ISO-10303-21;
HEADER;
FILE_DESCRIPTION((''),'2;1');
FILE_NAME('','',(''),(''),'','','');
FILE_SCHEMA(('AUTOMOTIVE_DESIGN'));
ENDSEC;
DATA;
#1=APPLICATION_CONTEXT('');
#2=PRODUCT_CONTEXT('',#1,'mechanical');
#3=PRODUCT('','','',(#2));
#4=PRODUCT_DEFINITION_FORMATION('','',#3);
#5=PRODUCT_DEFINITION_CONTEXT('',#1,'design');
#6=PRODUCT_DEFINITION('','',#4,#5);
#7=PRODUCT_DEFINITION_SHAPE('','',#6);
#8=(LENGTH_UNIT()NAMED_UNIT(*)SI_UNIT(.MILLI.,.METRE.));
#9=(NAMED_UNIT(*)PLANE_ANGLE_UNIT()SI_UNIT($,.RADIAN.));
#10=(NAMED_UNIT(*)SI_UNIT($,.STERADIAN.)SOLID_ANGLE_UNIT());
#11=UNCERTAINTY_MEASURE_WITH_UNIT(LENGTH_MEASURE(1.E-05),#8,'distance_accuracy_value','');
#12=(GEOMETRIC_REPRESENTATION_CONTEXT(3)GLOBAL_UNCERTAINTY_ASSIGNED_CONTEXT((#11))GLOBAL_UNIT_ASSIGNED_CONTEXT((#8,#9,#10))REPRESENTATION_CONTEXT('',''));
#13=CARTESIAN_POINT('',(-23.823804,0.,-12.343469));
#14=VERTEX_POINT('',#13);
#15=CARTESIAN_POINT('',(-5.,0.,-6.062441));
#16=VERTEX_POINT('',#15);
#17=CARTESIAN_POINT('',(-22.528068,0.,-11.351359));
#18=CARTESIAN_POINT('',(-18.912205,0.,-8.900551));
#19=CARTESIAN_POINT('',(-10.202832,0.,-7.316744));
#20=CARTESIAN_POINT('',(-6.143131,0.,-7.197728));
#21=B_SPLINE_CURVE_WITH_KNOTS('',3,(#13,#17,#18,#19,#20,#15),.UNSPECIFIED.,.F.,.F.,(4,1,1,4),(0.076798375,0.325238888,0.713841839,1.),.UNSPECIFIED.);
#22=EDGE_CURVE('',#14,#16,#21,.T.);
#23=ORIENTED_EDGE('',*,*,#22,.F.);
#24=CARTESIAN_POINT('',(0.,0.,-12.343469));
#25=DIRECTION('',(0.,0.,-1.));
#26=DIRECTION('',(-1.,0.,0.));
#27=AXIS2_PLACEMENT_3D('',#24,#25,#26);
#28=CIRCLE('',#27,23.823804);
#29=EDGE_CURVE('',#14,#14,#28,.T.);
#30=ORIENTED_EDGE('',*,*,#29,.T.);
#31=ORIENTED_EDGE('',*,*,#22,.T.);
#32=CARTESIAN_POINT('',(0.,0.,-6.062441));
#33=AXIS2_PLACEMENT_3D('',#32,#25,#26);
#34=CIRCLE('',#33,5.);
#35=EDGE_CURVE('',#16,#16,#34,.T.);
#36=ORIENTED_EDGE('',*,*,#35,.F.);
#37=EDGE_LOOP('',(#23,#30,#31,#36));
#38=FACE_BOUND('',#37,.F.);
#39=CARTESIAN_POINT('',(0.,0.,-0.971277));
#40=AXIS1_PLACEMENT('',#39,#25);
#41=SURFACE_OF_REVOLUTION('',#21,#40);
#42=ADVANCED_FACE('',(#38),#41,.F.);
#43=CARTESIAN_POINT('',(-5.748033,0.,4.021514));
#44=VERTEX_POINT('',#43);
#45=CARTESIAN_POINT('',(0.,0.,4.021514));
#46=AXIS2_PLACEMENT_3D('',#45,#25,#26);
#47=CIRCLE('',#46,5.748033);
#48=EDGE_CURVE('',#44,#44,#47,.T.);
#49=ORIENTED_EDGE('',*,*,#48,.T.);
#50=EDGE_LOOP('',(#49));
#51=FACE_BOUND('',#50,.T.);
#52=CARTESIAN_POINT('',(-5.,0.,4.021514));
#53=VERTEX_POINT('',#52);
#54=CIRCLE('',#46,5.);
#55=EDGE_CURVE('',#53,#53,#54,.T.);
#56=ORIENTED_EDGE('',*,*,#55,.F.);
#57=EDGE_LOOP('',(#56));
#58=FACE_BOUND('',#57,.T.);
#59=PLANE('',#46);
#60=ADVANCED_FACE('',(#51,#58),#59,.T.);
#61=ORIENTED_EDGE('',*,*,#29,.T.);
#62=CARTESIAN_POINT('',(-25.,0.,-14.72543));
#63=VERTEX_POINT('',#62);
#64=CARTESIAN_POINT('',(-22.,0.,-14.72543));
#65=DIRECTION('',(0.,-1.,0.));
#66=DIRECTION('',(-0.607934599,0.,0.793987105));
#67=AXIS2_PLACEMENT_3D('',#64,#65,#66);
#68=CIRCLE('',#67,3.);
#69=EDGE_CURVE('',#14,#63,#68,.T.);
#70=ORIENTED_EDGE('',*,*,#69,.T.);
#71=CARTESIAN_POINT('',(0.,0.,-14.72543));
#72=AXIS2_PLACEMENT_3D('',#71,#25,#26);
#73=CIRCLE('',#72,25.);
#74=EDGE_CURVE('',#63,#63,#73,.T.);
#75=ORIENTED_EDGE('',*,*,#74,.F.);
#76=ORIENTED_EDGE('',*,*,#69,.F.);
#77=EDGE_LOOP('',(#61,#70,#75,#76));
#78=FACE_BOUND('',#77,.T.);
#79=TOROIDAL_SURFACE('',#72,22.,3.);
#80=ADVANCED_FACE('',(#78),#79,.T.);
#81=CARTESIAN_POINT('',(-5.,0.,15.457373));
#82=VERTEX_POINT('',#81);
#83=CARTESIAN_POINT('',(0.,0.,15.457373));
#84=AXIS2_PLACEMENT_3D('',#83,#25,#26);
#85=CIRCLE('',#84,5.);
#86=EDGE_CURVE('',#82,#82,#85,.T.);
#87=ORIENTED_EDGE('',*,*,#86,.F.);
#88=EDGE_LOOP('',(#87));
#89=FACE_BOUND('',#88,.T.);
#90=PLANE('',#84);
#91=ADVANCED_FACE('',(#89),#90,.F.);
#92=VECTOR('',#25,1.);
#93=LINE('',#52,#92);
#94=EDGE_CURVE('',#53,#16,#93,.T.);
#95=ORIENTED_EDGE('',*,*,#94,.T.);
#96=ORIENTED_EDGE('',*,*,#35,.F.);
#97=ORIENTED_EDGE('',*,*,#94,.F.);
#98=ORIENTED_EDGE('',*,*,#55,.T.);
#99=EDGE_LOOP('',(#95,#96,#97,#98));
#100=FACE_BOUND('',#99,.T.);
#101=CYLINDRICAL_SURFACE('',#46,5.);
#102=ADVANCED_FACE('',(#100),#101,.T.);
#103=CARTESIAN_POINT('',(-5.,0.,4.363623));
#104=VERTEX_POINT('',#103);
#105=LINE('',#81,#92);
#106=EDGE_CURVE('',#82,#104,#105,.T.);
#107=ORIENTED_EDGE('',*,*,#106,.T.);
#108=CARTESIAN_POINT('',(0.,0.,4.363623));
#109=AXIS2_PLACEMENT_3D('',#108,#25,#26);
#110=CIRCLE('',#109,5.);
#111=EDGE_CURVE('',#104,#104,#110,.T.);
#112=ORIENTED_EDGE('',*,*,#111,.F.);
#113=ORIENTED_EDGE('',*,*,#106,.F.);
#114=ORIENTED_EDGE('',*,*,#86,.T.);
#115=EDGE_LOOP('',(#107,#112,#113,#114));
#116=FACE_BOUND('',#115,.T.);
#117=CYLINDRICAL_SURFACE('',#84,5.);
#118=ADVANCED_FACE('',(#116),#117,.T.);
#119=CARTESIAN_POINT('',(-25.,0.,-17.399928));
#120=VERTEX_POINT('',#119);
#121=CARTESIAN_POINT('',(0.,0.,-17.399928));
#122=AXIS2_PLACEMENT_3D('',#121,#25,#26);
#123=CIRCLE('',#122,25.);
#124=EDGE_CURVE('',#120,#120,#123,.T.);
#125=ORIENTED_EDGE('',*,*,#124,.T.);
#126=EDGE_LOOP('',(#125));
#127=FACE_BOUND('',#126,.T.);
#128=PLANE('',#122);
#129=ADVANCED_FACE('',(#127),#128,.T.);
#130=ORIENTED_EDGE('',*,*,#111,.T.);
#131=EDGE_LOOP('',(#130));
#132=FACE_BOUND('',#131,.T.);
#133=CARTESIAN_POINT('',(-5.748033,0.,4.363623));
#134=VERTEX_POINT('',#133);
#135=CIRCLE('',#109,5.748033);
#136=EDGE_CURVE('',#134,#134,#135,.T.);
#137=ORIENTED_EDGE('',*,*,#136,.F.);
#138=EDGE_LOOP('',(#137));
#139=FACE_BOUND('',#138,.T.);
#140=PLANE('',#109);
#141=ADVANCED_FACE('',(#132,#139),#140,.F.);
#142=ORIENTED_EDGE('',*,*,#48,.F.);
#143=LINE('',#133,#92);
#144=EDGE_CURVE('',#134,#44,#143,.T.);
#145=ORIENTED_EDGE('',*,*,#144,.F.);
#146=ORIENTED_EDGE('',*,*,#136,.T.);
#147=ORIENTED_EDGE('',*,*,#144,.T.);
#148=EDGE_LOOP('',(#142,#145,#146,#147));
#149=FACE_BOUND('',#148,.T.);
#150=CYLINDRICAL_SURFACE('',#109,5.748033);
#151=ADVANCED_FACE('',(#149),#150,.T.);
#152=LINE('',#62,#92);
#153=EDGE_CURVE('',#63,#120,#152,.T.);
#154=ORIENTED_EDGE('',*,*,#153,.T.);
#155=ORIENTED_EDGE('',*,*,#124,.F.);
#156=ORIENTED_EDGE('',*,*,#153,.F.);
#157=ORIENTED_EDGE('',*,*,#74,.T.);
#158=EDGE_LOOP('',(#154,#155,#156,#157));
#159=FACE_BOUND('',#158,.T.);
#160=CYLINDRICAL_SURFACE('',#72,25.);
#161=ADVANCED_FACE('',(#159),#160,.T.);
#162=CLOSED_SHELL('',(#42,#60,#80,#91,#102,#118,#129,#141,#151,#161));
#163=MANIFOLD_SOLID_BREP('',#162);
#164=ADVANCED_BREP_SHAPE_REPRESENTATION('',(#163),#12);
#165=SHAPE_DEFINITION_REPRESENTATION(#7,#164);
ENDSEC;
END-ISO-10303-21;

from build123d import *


with BuildPart() as f1:
    # F0 (on Front) → F1 (revolve)
    with BuildSketch(Plane.XZ):
        with BuildLine():
            Line((0, -17.3999276688), (0, 15.457372818))
            Line((0, 15.457372818), (-5, 15.457372818))
            Line((-5, 15.457372818), (-5, 4.3636227492))
            Line((-5, 4.3636227492), (-5.7480330579, 4.3636227492))
            Line((-5.7480330579, 4.3636227492), (-5.7480330579, 4.02151444))
            Line((-5.7480330579, 4.02151444), (-5, 4.02151444))
            Line((-5, 4.02151444), (-5, -6.0624405742))
            add(Edge.make_bspline(
                [(-23.8238037978, -12.343468626), (-22.5280684061, -11.351358841), (-18.9122048038, -8.9005514184), (-10.2028315843, -7.3167438176), (-6.1431308277, -7.1977279149), (-5, -6.0624405742)],
                knots=[0.0767983753, 0.0767983753, 0.0767983753, 0.0767983753, 0.3252388879, 0.7138418386, 1, 1, 1, 1], degree=3))
            ThreePointArc((-23.8238037978, -12.343468626), (-24.6899267084, -13.3971625347), (-25, -14.7254299412))
            Line((-25, -14.7254299412), (-25, -17.3999276688))
            Line((-25, -17.3999276688), (0, -17.3999276688))
        make_face()
    revolve(axis=Axis((0, 0, -0.9712774254), (0, 0, -1)))


solid = f1.part
